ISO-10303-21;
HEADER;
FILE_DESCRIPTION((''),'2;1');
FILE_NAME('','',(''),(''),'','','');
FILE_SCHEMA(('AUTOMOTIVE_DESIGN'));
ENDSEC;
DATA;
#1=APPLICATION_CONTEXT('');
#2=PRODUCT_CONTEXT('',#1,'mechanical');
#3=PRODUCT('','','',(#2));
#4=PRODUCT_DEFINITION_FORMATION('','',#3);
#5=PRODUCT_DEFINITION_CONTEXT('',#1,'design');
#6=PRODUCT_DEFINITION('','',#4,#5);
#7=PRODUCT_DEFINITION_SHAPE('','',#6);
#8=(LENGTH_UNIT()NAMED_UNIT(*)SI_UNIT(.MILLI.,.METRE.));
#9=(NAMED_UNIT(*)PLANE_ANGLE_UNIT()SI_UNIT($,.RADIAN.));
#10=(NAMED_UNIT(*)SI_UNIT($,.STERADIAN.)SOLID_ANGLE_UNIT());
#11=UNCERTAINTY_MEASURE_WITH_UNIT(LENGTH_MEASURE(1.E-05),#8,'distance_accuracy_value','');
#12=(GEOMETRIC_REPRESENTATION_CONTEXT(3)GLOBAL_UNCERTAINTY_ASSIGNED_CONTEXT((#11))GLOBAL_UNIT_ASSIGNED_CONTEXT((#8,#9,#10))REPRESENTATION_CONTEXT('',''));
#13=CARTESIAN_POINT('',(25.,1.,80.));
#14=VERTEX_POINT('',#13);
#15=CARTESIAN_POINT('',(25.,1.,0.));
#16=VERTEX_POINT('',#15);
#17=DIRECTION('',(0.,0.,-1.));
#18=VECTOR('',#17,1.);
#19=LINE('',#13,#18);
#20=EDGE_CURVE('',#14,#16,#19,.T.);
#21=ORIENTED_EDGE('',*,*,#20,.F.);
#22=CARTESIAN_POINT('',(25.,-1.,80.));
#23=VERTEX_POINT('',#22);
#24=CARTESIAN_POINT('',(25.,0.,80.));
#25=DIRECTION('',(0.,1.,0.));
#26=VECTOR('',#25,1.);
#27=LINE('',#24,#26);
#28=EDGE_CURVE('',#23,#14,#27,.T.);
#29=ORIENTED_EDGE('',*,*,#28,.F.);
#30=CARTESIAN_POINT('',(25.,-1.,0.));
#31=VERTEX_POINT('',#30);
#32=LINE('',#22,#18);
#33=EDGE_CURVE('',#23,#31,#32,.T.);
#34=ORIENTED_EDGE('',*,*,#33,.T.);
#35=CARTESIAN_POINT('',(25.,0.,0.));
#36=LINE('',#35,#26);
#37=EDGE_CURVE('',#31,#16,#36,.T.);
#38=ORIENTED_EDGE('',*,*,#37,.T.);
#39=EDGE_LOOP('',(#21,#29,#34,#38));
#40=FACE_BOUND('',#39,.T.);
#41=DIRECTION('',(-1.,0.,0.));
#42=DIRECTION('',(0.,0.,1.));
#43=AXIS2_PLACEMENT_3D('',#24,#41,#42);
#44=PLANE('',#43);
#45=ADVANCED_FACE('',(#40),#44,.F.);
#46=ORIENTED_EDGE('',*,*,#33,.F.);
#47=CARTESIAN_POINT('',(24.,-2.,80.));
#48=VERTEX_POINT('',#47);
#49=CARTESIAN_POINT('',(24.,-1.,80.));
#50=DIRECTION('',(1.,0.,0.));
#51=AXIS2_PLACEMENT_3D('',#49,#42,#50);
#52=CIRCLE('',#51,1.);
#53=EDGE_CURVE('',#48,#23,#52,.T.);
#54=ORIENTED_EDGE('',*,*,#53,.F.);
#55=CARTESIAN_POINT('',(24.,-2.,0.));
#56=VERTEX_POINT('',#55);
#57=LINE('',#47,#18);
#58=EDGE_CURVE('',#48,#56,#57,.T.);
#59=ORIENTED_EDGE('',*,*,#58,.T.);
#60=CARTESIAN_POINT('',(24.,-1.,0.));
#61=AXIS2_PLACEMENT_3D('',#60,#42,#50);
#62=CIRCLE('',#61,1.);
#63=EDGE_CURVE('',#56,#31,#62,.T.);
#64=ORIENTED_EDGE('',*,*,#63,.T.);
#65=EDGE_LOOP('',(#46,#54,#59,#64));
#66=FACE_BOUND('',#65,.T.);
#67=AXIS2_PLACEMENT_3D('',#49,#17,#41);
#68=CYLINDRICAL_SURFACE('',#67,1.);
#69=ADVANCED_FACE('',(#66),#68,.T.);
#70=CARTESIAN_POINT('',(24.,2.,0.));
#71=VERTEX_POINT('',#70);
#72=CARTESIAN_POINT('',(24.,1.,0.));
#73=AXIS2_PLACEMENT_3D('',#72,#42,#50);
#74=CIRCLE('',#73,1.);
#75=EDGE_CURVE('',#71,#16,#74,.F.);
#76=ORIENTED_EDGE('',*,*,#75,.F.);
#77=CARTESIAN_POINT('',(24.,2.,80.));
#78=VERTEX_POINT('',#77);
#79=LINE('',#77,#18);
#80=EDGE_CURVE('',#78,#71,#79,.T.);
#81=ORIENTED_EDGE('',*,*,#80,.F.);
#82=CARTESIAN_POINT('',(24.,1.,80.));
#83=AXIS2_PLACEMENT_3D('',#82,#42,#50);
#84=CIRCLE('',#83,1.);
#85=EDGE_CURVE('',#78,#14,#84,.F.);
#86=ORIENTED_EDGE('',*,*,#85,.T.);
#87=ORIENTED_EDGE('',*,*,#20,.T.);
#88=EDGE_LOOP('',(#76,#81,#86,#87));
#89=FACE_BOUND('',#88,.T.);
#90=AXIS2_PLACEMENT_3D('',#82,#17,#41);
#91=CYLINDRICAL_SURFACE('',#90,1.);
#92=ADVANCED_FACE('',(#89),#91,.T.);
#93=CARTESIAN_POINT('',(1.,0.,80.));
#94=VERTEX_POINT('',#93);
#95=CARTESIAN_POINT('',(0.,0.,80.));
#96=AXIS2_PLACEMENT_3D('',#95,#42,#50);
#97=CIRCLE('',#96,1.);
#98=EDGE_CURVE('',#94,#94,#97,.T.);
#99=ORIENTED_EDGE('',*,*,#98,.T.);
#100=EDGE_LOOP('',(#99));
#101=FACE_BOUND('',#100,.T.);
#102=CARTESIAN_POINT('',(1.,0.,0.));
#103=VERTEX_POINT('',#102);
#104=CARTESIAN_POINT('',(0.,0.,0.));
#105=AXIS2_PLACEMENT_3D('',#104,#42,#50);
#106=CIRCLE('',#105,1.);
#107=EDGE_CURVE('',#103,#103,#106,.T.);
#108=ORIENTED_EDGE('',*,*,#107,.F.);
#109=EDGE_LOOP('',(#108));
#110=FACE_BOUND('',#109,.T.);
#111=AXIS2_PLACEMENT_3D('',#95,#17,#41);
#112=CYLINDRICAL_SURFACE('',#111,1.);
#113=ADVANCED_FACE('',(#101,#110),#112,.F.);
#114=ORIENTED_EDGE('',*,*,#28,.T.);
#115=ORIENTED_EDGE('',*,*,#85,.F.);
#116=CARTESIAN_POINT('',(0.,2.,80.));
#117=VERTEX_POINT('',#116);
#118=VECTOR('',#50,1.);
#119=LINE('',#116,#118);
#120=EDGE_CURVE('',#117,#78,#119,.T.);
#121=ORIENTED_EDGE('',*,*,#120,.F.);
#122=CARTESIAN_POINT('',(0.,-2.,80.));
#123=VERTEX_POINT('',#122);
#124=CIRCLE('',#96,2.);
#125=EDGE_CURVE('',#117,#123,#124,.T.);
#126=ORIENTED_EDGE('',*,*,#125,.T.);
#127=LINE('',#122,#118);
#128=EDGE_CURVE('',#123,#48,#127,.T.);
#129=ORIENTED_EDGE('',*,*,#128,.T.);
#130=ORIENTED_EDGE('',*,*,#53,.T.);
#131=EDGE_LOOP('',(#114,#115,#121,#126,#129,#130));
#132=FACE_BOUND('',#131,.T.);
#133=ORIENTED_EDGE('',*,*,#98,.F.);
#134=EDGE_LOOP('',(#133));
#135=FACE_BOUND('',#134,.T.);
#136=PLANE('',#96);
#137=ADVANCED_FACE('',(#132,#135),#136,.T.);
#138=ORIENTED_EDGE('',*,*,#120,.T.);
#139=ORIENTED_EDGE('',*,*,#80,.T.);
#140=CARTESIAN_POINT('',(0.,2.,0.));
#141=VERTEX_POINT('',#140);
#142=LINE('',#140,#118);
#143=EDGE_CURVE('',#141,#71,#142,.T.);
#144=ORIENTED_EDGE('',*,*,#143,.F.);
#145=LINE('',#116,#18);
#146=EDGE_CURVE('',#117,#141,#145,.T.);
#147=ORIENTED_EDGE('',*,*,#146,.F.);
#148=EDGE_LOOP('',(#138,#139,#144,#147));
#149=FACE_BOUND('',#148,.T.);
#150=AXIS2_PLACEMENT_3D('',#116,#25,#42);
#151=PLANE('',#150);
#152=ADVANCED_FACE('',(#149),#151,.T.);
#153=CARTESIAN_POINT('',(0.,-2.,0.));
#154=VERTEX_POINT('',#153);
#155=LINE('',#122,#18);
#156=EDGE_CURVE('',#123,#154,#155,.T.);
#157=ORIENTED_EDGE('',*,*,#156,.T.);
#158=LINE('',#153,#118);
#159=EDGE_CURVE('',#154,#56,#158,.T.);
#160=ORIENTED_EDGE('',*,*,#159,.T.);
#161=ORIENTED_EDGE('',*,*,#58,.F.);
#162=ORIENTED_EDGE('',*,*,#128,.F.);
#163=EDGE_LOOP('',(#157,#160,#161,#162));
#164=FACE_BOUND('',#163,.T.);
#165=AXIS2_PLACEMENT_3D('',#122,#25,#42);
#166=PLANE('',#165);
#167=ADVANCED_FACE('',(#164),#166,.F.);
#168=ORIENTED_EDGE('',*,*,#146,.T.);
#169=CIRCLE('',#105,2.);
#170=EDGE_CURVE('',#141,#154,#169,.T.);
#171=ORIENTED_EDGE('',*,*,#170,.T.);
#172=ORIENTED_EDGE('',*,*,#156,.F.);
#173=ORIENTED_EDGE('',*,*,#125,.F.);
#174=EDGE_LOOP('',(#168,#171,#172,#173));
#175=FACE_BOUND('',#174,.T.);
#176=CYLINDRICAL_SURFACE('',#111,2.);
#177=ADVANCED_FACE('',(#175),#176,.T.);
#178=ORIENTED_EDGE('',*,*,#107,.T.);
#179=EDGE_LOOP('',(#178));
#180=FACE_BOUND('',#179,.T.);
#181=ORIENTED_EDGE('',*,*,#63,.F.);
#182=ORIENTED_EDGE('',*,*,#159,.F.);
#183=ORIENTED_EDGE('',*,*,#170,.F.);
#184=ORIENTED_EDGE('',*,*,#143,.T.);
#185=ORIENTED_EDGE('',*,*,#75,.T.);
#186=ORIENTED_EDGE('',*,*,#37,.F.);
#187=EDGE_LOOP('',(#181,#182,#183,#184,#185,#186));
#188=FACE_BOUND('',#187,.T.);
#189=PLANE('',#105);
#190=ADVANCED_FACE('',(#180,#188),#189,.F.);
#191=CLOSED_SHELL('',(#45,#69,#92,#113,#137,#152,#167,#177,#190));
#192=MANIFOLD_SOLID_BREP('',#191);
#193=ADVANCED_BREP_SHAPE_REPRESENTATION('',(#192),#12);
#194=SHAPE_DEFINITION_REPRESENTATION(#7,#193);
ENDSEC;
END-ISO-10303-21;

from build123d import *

# Parameters (mm, degrees)
EXTRUDE_1_DEPTH = 80


with BuildPart() as part:
    # 草图1 → 凸台-拉伸1 (new body)
    with BuildSketch(Plane.XY):
        with BuildLine():
            ThreePointArc((0, 2), (-2, 0), (0, -2))
            Line((0, -2), (0, -1))
            ThreePointArc((0, -1), (-1, 0), (0, 1))
            Line((0, 1), (0, 2))
        make_face()
        with BuildLine():
            Line((0, -1), (0, -2))
            ThreePointArc((0, -2), (1.414213562, -1.414213562), (2, 0))
            ThreePointArc((2, 0), (1.414213562, 1.414213562), (0, 2))
            Line((0, 2), (0, 1))
            ThreePointArc((0, 1), (0.707106781, 0.707106781), (1, 0))
            ThreePointArc((1, 0), (0.707106781, -0.707106781), (0, -1))
        make_face()
        with BuildLine():
            ThreePointArc((2, 0), (1.414213562, -1.414213562), (0, -2))
            Line((0, -2), (24, -2))
            ThreePointArc((24, -2), (24.707106781, -1.707106781), (25, -1))
            Line((25, -1), (25, 1))
            ThreePointArc((25, 1), (24.707106781, 1.707106781), (24, 2))
            Line((24, 2), (0, 2))
            ThreePointArc((0, 2), (1.414213562, 1.414213562), (2, 0))
        make_face()
    extrude(amount=EXTRUDE_1_DEPTH)


solid = part.part
